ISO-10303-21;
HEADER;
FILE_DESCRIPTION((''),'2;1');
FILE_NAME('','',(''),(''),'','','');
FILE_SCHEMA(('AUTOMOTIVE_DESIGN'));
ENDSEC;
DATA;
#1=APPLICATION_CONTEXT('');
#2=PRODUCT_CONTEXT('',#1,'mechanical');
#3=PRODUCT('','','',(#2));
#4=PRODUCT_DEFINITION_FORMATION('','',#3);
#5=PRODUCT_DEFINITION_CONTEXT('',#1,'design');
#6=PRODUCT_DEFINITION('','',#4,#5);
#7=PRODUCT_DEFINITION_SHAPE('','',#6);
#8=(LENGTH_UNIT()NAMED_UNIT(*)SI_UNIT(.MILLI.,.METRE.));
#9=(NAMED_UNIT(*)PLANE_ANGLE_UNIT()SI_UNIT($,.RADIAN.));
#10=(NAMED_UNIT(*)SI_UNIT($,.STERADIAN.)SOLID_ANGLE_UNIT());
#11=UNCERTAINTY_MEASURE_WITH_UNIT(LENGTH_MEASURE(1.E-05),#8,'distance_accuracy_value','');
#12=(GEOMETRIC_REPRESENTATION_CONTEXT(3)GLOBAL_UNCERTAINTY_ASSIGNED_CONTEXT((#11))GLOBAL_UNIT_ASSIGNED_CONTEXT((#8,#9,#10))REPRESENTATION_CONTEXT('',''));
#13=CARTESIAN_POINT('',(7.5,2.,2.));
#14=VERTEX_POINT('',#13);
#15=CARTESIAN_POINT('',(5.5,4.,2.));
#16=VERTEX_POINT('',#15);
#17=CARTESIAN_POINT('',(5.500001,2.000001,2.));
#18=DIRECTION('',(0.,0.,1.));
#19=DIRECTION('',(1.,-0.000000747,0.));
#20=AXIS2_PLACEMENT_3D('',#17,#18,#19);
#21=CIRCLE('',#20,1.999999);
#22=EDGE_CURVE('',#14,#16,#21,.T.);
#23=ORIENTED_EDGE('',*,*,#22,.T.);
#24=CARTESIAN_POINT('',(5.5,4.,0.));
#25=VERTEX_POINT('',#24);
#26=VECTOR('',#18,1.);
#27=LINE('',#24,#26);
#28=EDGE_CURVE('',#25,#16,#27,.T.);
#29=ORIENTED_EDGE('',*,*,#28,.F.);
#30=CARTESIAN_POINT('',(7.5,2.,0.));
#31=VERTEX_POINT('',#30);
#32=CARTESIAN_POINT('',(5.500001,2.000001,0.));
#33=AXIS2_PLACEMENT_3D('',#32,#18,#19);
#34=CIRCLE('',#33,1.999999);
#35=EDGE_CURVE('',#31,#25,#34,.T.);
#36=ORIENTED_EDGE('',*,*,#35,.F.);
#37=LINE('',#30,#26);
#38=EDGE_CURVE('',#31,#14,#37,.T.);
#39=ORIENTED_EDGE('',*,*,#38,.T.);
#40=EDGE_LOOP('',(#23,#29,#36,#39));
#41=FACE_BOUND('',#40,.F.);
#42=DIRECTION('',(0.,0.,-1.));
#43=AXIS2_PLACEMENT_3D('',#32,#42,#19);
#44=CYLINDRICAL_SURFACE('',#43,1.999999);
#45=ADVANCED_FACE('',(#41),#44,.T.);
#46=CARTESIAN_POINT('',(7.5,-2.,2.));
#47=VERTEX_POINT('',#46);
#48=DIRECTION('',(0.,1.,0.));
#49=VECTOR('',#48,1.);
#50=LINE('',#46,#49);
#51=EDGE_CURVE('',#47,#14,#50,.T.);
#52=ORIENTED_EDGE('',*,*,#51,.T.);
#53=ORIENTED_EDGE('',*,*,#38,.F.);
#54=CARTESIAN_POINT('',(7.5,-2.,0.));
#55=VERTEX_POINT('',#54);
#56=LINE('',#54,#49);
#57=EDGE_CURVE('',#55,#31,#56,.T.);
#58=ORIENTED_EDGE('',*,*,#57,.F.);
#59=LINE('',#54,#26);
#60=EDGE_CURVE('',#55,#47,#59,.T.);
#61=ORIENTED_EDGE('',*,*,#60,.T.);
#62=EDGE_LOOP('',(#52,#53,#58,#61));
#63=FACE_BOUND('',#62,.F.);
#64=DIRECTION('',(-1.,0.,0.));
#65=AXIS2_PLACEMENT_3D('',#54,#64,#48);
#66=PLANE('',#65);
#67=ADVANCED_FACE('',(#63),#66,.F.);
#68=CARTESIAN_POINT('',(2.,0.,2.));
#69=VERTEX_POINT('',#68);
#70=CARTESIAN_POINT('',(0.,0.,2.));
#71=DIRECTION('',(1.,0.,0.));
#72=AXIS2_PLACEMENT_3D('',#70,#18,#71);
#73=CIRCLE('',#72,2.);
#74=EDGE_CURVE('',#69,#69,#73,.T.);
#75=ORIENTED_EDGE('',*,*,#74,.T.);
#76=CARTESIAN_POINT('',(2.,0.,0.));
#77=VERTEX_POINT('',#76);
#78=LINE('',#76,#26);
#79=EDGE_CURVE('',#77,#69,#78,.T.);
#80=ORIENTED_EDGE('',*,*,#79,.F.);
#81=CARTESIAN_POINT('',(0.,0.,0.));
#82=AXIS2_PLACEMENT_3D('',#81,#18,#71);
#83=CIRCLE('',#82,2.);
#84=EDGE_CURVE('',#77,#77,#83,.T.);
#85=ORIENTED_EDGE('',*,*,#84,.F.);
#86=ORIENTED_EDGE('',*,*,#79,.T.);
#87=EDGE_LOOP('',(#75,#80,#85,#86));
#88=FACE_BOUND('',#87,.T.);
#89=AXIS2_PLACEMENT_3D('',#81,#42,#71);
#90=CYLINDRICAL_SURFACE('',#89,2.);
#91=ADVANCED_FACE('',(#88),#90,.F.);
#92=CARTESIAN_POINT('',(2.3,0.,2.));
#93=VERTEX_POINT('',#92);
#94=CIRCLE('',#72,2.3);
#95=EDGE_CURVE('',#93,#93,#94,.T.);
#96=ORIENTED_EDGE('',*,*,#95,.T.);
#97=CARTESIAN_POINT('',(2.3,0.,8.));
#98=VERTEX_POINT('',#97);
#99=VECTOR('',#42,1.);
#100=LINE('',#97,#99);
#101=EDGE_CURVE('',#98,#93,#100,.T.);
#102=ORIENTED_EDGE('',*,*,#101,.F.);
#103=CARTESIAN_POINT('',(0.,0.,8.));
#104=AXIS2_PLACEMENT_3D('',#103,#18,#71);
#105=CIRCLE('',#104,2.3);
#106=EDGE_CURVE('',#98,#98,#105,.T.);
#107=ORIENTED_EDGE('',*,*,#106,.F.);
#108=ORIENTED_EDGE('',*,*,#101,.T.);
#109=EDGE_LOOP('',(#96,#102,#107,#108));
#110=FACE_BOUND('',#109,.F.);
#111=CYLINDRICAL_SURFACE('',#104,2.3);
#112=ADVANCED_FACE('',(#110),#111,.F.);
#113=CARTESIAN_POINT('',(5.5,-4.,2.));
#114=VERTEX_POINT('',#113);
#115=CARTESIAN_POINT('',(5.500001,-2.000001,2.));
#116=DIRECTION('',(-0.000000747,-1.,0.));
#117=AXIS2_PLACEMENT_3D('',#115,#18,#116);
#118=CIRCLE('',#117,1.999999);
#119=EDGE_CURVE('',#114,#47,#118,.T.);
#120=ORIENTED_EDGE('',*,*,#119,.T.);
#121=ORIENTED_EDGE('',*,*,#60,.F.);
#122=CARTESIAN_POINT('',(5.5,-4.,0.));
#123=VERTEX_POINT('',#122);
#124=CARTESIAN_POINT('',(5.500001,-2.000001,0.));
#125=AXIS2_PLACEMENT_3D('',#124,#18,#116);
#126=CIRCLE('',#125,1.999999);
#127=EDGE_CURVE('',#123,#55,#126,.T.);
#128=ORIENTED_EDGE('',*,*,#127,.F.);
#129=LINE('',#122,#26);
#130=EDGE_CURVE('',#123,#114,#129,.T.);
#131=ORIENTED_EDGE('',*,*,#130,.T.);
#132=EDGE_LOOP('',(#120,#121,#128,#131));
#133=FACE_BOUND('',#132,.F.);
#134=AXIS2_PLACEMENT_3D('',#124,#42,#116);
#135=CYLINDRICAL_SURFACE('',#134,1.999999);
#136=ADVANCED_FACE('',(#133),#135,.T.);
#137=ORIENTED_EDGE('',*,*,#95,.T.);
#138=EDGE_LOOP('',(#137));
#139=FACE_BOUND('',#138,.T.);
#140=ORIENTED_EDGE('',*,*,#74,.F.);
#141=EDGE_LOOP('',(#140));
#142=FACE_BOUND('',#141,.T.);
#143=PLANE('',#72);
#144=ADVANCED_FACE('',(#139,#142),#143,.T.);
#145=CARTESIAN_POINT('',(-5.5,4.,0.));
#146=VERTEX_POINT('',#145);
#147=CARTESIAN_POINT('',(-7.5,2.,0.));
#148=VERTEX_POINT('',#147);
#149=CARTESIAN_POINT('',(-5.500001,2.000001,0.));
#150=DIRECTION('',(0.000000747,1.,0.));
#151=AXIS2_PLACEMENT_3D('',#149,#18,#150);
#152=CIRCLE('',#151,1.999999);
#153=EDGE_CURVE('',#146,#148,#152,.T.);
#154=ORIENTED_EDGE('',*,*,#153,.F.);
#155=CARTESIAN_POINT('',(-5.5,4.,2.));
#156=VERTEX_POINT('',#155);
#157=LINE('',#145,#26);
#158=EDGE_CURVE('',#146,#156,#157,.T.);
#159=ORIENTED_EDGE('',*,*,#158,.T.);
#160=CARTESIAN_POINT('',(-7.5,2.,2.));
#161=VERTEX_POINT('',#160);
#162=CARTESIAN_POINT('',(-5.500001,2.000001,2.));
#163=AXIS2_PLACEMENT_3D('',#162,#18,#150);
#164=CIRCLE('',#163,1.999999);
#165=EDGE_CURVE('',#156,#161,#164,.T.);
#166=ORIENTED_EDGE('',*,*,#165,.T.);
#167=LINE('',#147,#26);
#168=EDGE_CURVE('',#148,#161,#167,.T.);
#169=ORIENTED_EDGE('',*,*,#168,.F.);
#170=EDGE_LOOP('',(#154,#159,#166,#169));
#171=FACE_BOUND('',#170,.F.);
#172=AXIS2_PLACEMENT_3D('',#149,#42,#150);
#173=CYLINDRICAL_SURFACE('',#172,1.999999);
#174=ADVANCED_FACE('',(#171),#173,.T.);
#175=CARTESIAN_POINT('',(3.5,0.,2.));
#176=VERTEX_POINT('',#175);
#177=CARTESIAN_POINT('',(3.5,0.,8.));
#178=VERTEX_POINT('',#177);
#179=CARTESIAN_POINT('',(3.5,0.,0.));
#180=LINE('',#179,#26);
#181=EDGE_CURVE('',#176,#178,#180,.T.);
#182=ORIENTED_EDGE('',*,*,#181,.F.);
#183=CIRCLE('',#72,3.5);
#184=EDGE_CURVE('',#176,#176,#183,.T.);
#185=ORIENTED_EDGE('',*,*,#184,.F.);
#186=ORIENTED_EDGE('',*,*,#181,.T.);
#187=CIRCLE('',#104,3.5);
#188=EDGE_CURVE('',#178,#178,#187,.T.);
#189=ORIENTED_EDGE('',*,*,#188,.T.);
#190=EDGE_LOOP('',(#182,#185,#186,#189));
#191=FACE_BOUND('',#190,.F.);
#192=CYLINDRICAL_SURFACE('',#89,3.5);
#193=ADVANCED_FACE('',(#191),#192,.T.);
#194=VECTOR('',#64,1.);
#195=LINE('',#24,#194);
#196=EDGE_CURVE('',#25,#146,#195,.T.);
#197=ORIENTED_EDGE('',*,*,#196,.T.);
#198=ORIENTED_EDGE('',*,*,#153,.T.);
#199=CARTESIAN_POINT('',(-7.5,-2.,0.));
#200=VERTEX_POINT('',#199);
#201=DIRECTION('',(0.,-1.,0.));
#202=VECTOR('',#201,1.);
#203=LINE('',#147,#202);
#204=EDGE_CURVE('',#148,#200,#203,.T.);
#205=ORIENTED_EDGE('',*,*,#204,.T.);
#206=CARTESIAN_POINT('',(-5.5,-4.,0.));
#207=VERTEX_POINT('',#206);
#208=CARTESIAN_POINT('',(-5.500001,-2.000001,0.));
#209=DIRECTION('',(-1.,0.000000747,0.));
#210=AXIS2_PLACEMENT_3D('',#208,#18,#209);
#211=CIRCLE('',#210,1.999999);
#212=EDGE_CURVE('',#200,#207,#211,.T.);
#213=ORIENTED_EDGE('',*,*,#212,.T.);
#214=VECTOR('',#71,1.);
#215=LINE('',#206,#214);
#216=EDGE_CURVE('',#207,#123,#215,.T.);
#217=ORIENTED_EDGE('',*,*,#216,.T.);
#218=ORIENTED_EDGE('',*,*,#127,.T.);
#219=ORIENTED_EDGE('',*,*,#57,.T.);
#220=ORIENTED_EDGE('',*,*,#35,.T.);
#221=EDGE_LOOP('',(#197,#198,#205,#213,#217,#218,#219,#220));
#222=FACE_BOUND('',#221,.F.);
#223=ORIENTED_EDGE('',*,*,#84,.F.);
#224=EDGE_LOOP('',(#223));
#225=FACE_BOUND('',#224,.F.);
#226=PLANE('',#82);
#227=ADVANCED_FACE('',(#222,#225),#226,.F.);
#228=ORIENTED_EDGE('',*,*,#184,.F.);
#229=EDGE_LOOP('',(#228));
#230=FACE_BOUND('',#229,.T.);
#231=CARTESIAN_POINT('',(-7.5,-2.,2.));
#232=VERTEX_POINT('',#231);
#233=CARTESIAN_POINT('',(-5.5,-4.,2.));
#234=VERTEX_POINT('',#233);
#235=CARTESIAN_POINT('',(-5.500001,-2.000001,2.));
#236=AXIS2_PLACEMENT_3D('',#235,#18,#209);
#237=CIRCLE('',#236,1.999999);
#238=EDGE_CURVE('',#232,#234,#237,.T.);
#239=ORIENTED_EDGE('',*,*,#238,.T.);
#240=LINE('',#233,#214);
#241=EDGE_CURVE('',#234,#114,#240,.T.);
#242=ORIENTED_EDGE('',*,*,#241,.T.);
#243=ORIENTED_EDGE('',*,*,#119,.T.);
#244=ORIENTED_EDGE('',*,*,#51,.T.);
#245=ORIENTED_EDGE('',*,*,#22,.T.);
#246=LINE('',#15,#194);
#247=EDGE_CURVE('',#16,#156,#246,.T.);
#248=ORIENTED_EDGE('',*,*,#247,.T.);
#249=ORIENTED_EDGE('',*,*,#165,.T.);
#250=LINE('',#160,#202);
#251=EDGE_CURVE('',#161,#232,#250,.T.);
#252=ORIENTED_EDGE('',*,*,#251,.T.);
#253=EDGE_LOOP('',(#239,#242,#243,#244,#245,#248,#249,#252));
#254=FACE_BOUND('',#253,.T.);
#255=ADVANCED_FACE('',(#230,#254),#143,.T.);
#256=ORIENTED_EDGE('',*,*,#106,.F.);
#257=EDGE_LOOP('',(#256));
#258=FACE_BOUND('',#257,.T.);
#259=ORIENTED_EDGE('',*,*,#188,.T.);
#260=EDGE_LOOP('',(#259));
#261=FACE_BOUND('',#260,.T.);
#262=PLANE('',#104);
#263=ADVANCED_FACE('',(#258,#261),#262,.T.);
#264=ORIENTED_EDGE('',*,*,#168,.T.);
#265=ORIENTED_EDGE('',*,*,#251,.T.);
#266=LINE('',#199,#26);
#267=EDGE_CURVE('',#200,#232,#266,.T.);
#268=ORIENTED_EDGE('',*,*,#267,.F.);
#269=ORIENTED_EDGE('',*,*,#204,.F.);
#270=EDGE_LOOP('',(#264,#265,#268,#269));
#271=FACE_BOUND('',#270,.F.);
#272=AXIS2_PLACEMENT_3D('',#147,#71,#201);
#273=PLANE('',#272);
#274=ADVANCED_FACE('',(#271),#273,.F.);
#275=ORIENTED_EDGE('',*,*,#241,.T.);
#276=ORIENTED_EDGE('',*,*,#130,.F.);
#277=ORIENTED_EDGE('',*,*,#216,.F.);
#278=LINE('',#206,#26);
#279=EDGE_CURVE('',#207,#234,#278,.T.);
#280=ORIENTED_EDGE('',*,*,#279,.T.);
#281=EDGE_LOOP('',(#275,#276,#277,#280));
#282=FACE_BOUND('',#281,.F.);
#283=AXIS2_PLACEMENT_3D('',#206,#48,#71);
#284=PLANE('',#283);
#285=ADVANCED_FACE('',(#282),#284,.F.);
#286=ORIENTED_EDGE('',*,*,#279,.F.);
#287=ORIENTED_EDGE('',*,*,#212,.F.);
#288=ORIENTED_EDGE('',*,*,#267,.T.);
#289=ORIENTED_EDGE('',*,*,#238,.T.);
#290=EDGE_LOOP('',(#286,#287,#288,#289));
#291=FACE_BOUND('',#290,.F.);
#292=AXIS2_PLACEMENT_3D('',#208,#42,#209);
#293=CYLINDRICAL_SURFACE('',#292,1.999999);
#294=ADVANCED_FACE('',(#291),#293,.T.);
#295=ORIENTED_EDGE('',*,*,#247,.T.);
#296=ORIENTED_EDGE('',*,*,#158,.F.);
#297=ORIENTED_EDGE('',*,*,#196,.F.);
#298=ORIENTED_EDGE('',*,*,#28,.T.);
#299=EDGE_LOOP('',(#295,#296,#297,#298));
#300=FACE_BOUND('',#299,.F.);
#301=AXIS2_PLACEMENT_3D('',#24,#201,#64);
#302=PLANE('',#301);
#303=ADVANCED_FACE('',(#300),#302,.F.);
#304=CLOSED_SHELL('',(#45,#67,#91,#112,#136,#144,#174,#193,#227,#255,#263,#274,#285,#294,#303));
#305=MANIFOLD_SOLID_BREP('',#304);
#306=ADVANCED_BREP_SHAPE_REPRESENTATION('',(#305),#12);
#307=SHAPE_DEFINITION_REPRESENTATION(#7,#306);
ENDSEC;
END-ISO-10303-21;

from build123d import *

# Parameters (mm, degrees)
F0_R     = 3.5
F0_R_2   = 2
F1_DEPTH = 8
F2_R     = 2.3
F2_R_2   = 2
F3_DEPTH = 6
F4_R     = 3.5
F5_DEPTH = 2


with BuildPart() as f1:
    # F0 (on Top) → F1 (new body)
    with BuildSketch(Plane.XY):
        Circle(F0_R)
        Circle(F0_R_2, mode=Mode.SUBTRACT)
    extrude(amount=F1_DEPTH)

    # F2 (on face) → F3 (cut)
    with BuildSketch(Plane.XY.offset(8)):
        Circle(F2_R)
        Circle(F2_R_2, mode=Mode.SUBTRACT)
    extrude(amount=-F3_DEPTH, mode=Mode.SUBTRACT)

    # F4 (on Top) → F5 (join)
    with BuildSketch(Plane.XY):
        with BuildLine():
            Line((5.5, 4), (-5.5, 4))
            ThreePointArc((-5.5, 4), (-6.914214, 3.414214), (-7.5, 2))
            Line((-7.5, 2), (-7.5, -2))
            ThreePointArc((-7.5, -2), (-6.914214, -3.414214), (-5.5, -4))
            Line((-5.5, -4), (5.5, -4))
            ThreePointArc((5.5, -4), (6.914214, -3.414214), (7.5, -2))
            Line((7.5, -2), (7.5, 2))
            ThreePointArc((7.5, 2), (6.914214, 3.414214), (5.5, 4))
        make_face()
        Circle(F4_R, mode=Mode.SUBTRACT)
    extrude(amount=F5_DEPTH)


solid = f1.part
